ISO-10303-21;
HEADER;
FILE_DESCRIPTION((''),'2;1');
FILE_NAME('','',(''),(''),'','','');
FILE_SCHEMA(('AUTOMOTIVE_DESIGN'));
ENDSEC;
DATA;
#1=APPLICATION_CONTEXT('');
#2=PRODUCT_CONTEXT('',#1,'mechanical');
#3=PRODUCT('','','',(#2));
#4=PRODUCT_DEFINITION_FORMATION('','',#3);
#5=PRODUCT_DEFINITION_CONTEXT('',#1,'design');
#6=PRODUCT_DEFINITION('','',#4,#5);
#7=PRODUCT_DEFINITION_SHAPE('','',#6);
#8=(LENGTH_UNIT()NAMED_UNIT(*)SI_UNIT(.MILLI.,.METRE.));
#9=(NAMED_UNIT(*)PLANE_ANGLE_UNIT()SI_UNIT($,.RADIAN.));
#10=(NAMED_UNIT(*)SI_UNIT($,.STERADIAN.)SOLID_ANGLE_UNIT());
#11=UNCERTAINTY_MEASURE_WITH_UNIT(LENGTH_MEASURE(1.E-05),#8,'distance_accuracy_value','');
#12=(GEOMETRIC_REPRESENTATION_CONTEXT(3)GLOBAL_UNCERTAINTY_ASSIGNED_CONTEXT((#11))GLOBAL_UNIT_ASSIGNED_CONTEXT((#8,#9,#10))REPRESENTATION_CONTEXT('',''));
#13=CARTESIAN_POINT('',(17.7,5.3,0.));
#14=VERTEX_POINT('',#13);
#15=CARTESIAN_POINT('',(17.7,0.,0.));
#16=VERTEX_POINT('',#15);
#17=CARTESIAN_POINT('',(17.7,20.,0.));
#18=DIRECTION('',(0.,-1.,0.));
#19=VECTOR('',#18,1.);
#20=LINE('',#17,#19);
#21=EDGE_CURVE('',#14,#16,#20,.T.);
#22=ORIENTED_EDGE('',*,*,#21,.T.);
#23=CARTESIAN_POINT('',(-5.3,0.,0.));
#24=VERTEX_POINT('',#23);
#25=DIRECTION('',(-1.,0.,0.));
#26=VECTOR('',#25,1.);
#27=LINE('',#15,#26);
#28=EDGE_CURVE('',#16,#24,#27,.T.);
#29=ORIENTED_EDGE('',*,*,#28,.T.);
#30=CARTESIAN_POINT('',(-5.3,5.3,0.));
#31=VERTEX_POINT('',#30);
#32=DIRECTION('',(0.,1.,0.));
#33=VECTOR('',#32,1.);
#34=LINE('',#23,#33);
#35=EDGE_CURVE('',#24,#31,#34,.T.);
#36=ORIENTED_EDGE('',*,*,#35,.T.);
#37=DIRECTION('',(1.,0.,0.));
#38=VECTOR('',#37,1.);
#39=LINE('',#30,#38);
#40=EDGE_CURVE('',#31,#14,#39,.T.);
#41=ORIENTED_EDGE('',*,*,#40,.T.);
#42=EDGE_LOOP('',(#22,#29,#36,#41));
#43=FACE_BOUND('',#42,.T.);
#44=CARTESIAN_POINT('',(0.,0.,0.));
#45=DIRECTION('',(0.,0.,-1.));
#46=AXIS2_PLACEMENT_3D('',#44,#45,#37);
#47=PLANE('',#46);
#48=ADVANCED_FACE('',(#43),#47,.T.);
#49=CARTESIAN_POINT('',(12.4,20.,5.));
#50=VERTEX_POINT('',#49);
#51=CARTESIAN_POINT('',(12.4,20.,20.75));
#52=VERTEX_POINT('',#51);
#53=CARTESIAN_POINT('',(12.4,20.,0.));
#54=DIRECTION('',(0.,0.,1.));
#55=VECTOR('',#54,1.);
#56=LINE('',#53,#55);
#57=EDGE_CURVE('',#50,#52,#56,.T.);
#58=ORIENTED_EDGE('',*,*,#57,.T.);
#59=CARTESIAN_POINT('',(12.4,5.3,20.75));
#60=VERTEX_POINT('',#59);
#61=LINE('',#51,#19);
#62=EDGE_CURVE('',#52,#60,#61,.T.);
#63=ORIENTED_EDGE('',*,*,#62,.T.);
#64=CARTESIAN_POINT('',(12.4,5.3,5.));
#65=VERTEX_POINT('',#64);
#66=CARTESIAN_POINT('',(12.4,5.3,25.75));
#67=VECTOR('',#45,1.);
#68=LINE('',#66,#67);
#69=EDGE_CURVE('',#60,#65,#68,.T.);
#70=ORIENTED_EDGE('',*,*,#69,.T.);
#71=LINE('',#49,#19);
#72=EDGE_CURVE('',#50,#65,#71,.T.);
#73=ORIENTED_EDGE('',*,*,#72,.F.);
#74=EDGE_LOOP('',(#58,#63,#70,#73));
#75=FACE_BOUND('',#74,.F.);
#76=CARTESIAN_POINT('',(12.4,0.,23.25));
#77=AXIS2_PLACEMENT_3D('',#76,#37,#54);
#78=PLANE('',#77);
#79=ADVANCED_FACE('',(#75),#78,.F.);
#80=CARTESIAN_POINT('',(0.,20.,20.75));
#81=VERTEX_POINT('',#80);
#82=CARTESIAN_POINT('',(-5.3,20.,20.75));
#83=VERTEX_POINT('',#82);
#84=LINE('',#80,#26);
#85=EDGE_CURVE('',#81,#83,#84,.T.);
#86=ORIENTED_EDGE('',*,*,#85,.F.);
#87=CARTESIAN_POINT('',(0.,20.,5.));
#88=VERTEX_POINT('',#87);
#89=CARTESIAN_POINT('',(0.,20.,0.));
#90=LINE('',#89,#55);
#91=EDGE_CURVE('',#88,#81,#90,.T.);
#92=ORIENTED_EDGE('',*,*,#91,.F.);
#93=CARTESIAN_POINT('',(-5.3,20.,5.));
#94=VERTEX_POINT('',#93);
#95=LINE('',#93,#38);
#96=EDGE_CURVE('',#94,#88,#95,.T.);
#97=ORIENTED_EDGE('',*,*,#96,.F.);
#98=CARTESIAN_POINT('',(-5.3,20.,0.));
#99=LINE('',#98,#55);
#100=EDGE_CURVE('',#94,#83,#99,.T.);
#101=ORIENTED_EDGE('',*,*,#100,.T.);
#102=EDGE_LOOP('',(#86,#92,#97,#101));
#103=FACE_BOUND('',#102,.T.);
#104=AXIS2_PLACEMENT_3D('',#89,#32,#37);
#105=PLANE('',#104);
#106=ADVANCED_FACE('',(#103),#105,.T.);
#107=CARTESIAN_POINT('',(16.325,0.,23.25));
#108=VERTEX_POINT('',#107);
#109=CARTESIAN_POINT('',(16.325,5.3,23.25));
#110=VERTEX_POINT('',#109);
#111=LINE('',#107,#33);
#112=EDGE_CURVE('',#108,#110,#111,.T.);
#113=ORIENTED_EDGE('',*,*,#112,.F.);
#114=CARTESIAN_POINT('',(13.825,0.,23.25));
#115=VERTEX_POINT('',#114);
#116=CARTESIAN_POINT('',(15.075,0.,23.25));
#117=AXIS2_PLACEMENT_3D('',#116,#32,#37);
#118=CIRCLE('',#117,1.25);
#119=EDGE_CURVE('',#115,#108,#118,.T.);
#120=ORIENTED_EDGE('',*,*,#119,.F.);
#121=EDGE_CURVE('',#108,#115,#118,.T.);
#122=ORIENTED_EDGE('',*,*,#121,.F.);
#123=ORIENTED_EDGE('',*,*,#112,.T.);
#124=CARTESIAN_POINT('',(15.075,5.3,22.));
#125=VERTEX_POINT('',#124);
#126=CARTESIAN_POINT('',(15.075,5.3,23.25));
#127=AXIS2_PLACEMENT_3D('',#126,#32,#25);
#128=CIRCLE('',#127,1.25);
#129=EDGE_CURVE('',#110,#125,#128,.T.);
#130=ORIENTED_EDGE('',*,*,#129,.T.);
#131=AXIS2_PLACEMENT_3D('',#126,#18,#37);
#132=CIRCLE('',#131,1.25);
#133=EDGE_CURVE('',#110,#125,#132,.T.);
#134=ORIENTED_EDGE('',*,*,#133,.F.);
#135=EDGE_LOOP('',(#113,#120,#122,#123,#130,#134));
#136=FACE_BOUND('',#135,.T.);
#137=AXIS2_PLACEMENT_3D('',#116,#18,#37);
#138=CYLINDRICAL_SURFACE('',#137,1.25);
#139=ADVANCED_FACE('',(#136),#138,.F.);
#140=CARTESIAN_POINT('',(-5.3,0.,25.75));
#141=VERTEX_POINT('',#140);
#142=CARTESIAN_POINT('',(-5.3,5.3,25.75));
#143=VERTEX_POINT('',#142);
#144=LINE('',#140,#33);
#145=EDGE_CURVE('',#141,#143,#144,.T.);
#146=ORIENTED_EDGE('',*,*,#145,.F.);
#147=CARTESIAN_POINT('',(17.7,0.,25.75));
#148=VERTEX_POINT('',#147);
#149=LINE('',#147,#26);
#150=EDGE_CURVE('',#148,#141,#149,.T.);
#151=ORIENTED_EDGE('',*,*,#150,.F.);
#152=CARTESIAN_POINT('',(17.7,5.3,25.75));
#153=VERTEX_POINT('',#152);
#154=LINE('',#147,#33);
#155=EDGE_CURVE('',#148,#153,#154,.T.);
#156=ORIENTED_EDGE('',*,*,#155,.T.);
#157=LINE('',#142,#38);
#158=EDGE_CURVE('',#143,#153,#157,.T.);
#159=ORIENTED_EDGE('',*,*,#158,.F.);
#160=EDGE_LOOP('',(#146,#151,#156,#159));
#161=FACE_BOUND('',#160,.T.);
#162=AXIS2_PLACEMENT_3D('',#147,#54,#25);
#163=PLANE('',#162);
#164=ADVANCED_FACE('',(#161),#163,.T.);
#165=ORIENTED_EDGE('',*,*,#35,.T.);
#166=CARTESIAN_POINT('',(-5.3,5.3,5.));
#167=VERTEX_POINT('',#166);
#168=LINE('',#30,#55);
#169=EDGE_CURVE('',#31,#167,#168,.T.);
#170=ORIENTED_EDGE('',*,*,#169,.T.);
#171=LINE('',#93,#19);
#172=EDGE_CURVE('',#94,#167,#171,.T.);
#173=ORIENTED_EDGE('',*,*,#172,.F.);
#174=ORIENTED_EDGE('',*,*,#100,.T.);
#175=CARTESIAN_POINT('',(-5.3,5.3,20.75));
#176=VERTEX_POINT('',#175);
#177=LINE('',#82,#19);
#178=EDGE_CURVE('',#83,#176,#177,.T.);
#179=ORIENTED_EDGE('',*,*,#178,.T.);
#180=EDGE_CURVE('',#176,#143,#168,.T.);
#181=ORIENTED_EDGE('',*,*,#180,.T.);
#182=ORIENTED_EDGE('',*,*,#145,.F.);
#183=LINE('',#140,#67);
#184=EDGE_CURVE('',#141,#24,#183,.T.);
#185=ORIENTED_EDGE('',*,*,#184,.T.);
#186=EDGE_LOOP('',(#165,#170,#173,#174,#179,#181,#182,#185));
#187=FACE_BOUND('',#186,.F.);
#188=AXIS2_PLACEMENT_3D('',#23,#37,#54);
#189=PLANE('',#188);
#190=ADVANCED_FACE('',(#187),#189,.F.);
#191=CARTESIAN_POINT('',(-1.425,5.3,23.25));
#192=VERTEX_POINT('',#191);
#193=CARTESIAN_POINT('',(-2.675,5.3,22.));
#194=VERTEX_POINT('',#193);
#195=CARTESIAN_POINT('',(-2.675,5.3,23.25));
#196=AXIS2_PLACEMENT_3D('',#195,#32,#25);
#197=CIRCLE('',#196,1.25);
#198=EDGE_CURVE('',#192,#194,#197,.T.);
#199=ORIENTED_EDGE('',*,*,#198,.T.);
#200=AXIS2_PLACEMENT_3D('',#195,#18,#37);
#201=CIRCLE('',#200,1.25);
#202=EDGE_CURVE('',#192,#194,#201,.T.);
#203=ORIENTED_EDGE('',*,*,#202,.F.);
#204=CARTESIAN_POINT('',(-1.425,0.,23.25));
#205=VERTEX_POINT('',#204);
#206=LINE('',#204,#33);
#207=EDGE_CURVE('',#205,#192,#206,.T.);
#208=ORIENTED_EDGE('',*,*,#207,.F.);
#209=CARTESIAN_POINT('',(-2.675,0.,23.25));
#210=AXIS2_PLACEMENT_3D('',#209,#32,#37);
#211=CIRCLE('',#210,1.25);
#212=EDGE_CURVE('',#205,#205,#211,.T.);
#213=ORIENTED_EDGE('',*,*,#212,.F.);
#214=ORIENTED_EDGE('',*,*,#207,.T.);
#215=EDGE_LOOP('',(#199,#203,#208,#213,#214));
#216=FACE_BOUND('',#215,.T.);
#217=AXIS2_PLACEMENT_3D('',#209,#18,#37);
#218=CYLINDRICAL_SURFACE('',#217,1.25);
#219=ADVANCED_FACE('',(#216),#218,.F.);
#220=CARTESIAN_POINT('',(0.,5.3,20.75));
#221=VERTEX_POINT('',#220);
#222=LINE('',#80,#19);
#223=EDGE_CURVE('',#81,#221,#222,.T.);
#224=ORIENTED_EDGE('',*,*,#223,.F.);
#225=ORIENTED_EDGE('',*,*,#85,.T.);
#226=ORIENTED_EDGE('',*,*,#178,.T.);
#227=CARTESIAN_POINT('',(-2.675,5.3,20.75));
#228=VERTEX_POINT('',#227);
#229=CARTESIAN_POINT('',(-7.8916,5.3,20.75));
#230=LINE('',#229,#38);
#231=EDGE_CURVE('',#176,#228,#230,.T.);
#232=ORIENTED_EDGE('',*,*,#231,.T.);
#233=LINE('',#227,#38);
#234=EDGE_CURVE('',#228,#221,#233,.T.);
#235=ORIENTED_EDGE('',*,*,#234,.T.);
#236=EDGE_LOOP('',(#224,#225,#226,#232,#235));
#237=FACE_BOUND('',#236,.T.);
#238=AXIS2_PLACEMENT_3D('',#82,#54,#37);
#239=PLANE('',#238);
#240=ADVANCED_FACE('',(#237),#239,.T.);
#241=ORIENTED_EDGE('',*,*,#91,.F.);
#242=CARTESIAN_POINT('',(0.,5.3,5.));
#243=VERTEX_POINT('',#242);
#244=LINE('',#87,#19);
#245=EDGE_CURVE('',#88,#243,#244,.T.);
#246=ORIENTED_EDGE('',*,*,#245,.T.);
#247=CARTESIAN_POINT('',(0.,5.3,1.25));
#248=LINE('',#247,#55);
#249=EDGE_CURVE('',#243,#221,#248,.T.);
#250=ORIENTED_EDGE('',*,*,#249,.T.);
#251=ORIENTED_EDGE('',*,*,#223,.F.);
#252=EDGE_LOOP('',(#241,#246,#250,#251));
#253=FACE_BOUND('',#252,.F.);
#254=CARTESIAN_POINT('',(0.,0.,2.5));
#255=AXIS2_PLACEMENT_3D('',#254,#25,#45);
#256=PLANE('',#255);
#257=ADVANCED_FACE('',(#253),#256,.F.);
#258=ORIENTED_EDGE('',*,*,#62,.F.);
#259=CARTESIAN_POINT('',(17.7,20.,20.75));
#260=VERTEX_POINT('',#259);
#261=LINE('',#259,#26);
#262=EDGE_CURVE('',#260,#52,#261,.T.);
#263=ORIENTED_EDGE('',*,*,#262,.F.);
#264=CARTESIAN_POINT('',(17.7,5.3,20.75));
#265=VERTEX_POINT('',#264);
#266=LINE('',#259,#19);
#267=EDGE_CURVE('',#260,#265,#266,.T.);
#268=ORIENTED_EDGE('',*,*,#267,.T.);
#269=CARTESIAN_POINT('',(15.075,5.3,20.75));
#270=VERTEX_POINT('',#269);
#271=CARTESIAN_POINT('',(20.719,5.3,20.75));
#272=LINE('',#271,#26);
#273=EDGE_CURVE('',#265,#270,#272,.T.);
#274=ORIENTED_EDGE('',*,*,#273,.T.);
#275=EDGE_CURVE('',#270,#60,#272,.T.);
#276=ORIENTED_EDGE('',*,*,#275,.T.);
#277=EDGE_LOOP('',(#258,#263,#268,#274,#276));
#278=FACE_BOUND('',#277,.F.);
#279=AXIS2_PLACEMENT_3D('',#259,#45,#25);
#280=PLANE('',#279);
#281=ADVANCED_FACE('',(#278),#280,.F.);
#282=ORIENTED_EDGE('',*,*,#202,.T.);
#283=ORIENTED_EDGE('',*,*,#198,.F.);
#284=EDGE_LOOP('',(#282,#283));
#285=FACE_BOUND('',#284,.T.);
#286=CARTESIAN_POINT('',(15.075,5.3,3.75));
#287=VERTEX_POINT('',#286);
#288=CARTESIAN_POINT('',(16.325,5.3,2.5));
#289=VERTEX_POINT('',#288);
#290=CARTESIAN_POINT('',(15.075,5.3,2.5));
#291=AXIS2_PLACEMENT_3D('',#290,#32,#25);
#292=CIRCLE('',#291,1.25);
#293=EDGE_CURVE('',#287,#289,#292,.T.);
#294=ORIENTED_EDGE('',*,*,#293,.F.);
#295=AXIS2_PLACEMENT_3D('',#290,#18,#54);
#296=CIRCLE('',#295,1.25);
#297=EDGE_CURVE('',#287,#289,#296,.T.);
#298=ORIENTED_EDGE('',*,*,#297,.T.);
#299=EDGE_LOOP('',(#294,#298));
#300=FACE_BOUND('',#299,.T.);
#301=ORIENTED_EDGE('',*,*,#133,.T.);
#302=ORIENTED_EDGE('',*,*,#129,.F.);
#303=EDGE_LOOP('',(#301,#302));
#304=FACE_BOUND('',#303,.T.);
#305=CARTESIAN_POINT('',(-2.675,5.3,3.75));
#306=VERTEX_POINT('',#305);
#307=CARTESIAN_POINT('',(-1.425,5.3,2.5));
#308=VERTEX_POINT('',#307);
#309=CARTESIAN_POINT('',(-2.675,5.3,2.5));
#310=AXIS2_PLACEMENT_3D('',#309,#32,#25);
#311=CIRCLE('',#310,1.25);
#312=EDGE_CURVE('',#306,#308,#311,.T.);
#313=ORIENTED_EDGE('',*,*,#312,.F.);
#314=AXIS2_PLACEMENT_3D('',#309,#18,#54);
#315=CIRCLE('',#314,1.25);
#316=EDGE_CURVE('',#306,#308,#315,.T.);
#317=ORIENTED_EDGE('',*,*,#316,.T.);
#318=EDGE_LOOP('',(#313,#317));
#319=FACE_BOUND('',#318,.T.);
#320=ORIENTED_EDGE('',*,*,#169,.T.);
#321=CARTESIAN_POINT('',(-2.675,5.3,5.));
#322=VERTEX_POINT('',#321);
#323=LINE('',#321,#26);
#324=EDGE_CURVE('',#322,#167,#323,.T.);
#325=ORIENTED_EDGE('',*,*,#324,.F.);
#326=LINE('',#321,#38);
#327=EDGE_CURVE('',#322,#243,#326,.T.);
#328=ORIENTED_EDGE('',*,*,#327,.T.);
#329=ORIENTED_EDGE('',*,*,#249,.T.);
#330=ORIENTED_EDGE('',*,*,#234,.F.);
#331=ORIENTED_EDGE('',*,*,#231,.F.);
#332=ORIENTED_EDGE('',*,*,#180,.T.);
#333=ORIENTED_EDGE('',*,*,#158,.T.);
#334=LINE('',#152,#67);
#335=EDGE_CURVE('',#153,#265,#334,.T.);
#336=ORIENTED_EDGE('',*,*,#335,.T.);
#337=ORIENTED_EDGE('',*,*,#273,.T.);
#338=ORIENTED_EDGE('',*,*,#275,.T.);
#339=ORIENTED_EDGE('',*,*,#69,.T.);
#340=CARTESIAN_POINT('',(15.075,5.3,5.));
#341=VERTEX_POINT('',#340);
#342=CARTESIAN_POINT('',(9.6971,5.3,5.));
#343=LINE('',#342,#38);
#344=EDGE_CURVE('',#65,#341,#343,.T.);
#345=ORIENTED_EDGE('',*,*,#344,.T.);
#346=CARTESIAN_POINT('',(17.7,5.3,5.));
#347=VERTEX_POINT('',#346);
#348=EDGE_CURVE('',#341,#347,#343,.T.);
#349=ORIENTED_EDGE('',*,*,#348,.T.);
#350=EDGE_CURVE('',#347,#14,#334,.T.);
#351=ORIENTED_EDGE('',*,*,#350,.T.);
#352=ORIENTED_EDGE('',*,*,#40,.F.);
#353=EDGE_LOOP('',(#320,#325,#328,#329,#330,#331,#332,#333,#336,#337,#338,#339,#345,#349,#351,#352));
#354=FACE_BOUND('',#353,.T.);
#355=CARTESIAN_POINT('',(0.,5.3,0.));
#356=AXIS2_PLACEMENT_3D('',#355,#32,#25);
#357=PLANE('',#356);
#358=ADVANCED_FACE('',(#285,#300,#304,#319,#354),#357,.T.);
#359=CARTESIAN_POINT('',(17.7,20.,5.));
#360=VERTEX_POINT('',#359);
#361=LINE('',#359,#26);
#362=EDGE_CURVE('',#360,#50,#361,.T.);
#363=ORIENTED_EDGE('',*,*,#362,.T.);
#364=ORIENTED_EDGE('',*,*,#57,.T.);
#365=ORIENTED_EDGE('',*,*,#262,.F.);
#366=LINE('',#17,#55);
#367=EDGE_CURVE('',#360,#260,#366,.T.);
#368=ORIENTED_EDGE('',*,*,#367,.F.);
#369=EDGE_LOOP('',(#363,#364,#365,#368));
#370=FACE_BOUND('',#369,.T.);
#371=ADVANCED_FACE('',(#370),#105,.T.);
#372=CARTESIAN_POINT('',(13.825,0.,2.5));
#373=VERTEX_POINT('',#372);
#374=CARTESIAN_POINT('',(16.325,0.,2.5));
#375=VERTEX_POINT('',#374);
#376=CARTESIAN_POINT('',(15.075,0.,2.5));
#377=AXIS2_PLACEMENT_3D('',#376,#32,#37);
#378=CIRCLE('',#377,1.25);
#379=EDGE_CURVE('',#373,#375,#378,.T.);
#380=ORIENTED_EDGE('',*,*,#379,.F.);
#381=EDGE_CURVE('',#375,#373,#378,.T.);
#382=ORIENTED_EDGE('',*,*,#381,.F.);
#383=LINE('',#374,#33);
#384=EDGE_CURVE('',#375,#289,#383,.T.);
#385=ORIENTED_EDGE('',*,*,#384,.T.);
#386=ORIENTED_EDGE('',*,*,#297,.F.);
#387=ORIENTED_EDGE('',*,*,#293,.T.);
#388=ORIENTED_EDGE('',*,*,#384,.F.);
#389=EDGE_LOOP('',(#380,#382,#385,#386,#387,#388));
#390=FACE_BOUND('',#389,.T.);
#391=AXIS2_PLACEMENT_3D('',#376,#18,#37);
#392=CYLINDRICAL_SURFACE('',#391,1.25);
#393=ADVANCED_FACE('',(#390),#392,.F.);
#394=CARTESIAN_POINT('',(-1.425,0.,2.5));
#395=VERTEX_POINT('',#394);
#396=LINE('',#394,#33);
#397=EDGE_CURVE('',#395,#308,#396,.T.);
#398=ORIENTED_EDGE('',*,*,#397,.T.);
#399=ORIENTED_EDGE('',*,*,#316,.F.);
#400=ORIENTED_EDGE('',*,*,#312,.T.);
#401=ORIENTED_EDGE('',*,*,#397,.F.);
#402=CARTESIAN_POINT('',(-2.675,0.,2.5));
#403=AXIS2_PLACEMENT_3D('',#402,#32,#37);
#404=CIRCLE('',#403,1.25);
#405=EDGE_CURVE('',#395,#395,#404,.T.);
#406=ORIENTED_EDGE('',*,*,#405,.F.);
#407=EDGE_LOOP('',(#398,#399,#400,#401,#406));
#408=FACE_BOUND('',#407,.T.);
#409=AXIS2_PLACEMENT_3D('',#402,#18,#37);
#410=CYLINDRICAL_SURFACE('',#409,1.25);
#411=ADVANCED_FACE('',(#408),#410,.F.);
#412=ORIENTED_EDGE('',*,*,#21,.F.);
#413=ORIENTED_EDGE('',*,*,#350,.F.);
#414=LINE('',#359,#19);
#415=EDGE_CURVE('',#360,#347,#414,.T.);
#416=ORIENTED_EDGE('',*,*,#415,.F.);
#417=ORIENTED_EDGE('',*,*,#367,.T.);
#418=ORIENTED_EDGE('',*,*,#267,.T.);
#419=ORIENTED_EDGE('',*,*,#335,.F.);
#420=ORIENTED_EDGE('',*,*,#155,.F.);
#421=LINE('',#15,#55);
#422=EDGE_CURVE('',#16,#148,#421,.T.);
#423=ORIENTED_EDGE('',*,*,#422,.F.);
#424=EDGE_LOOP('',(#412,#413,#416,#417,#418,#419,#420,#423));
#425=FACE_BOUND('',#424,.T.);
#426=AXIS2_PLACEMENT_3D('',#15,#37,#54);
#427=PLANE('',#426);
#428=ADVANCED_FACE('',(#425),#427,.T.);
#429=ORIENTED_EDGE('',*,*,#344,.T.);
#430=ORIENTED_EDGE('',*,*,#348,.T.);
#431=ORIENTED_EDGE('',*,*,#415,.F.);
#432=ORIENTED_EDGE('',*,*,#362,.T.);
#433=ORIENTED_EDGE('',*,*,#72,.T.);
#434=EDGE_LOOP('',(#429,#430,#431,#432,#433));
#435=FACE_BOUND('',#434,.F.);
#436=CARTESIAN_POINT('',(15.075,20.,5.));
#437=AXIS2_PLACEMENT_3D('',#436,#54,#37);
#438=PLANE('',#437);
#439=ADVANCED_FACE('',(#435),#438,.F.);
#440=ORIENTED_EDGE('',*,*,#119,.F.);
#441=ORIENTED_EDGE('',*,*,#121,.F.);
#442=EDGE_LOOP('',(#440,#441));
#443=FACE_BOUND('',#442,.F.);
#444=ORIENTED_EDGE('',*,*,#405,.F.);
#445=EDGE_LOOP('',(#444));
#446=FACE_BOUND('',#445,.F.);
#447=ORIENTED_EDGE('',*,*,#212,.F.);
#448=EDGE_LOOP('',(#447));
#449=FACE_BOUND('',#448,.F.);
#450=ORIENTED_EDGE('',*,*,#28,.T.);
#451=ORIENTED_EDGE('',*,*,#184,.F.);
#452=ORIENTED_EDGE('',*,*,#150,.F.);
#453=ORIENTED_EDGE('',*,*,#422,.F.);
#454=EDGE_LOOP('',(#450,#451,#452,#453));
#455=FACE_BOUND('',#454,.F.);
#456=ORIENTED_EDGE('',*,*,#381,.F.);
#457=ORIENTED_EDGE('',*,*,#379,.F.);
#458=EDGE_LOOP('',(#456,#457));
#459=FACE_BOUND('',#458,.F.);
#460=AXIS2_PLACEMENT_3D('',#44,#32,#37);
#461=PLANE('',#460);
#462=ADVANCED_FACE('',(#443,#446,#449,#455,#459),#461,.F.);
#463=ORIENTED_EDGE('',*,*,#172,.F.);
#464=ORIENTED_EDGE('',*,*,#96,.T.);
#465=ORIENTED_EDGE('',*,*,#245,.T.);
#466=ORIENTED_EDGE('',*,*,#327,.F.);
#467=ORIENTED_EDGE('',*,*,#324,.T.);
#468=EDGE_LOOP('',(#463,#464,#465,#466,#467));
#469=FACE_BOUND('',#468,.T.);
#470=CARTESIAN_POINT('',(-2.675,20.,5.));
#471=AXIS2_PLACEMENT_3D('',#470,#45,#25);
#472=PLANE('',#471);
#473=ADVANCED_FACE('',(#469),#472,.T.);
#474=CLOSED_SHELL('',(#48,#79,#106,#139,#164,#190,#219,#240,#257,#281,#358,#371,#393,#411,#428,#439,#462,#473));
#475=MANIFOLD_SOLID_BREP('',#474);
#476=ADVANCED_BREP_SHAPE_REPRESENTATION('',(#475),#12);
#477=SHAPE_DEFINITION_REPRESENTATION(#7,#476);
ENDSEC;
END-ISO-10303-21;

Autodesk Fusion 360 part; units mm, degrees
sketch "Sketch1" plane through (0, 0, 0) normal (0, 1, 0) x (1, 0, 0)
  line L0 (0, 0) -> (12.4, 0)
  line L1 (12.4, 0) -> (12.4, -25.75)
  line L2 (12.4, -25.75) -> (0, -25.75)
  line L3 (0, -25.75) -> (0, 0)
  line L4 (0, 0) -> (-5.3, 0)
  line L5 (-5.3, 0) -> (-5.3, -25.75)
  line L6 (-5.3, -25.75) -> (0, -25.75)
  line L7 (0, -25.75) -> (0, 0)
  line L8 (12.4, 0) -> (17.7, 0)
  line L9 (17.7, 0) -> (17.7, -25.75)
  line L10 (17.7, -25.75) -> (12.4, -25.75)
  line L11 (12.4, -25.75) -> (12.4, 0)
  line L12 (-5.3, -25.75) -> (-2.675, -25.75)
  line L13 (-2.675, -25.75) -> (-2.675, -23.25)
  line L14 (-2.675, -23.25) -> (-5.3, -23.25)
  line L15 (-5.3, -23.25) -> (-5.3, -25.75)
  line L16 (-2.675, -23.25) -> (15.075, -23.25)
  line L17 (-2.675, -23.25) -> (-2.675, -2.5)
  circle A0 centre (-2.675, -23.25) radius 1.25
  circle A1 centre (-2.675, -2.5) radius 1.25
  circle A2 centre (15.075, -23.25) radius 1.25
  line L18 (-2.675, -2.5) -> (15.075, -2.5)
  circle A3 centre (15.075, -2.5) radius 1.25
  dimension "d1" = 12.4
  dimension "d2" = 25.75
  dimension "d3" = 5.3
  dimension "d4" = 5.3
  dimension "d5" = 25.75
  dimension "d6" = 25.75
  dimension "d13" = 2.625
  dimension "d14" = 2.5
  dimension "d15" = 17.75
  dimension "d16" = 20.75
  dimension "d17" = 2.5
  dimension "d18" = 2.5
  dimension "d19" = 2.5
  dimension "d20" = 17.75
  dimension "d21" = 2.5
extrude "Extrude1" add sketch "Sketch1" along normal blind 5.3 contours L0 L1 L3 L7 L11 L18 | L3 L4 L5 L7 L14 L17 A0 A1 L18 | A3 | A2 | L1 L8 L9 L10 L11 | L1 L3 L7 L11 L16 L18 | L3 L7 L16 L17 A0 A1 L18 | L1 L2 L3 L7 L11 L16 | L3 L6 L7 L13 L16 A0 | L17 A1 L18 | L17 A1 L18 | L5 L6 L12 L13 L14 L15 A0 | L13 L16 A0 | L16 L17 A0 | L14 L17 A0 | L13 L14 A0
extrude "Extrude2" add sketch "Sketch1" along normal blind 20 contours L3 L4 L5 L7 L14 L17 A0 A1 L18 | A3 | A2 | L1 L8 L9 L10 L11 | L3 L7 L16 L17 A0 A1 L18 | L3 L6 L7 L13 L16 A0 | L17 A1 L18 | L17 A1 L18 | L5 L6 L12 L13 L14 L15 A0 | L13 L16 A0 | L16 L17 A0 | L14 L17 A0 | L13 L14 A0
extrude "Extrude3" cut sketch "Sketch1" along normal up to surface (20 mm away) contours A3 | A2 | L17 A1 L18 | L17 A1 L18 | L13 L16 A0 | L16 L17 A0 | L14 L17 A0 | L13 L14 A0
sketch "Sketch3" plane through (0, 20, 0) normal (0, 1, 0) x (-1, 0, 0)
  circle A0 centre (2.675, 23.25) radius 1.25
  circle A1 centre (2.675, 2.5) radius 1.25
  line L0 (0, 25.75) -> (0, 0)
  line L1 (0, 0) -> (5.3, 0)
  line L2 (5.3, 0) -> (5.3, 25.75)
  line L3 (5.3, 25.75) -> (0, 25.75)
  line L4 (2.675, 2.5) -> (2.675, 5)
  line L5 (2.675, 5) -> (0, 5)
  line L6 (2.675, 5) -> (5.3, 5)
  line L7 (2.675, 23.25) -> (2.675, 20.75)
  line L8 (2.675, 20.75) -> (-2, 20.75)
  line L9 (-2, 20.75) -> (2.675, 20.75)
  line L10 (7.8916, 20.75) -> (2.675, 20.75)
  dimension "d24" = 2.5
  dimension "d25" = 2.5
extrude "Extrude4" cut sketch "Sketch3" against normal blind 14.7 contours L0 L2 L3 L8 L9 L10 | L0 L1 L2 L5 L6
sketch "Sketch4" plane through (0, 20, 0) normal (0, 1, 0) x (-1, 0, 0)
  circle A0 centre (-15.075, 23.25) radius 1.25
  circle A1 centre (-15.075, 2.5) radius 1.25
  line L0 (-12.4, 25.75) -> (-17.7, 25.75)
  line L1 (-17.7, 25.75) -> (-17.7, 0)
  line L2 (-17.7, 0) -> (-12.4, 0)
  line L3 (-12.4, 0) -> (-12.4, 25.75)
  line L4 (-15.075, 2.5) -> (-15.075, 5)
  line L5 (-9.6971, 5) -> (-24, 5)
  line L6 (-15.075, 23.25) -> (-15.075, 20.75)
  line L7 (-20.719, 20.75) -> (-5, 20.75)
  dimension "d28" = 2.5
  dimension "d29" = 2.5
extrude "Extrude5" cut sketch "Sketch4" against normal blind 14.7 contours L0 L1 L3 L7 | L1 L2 L3 L5
